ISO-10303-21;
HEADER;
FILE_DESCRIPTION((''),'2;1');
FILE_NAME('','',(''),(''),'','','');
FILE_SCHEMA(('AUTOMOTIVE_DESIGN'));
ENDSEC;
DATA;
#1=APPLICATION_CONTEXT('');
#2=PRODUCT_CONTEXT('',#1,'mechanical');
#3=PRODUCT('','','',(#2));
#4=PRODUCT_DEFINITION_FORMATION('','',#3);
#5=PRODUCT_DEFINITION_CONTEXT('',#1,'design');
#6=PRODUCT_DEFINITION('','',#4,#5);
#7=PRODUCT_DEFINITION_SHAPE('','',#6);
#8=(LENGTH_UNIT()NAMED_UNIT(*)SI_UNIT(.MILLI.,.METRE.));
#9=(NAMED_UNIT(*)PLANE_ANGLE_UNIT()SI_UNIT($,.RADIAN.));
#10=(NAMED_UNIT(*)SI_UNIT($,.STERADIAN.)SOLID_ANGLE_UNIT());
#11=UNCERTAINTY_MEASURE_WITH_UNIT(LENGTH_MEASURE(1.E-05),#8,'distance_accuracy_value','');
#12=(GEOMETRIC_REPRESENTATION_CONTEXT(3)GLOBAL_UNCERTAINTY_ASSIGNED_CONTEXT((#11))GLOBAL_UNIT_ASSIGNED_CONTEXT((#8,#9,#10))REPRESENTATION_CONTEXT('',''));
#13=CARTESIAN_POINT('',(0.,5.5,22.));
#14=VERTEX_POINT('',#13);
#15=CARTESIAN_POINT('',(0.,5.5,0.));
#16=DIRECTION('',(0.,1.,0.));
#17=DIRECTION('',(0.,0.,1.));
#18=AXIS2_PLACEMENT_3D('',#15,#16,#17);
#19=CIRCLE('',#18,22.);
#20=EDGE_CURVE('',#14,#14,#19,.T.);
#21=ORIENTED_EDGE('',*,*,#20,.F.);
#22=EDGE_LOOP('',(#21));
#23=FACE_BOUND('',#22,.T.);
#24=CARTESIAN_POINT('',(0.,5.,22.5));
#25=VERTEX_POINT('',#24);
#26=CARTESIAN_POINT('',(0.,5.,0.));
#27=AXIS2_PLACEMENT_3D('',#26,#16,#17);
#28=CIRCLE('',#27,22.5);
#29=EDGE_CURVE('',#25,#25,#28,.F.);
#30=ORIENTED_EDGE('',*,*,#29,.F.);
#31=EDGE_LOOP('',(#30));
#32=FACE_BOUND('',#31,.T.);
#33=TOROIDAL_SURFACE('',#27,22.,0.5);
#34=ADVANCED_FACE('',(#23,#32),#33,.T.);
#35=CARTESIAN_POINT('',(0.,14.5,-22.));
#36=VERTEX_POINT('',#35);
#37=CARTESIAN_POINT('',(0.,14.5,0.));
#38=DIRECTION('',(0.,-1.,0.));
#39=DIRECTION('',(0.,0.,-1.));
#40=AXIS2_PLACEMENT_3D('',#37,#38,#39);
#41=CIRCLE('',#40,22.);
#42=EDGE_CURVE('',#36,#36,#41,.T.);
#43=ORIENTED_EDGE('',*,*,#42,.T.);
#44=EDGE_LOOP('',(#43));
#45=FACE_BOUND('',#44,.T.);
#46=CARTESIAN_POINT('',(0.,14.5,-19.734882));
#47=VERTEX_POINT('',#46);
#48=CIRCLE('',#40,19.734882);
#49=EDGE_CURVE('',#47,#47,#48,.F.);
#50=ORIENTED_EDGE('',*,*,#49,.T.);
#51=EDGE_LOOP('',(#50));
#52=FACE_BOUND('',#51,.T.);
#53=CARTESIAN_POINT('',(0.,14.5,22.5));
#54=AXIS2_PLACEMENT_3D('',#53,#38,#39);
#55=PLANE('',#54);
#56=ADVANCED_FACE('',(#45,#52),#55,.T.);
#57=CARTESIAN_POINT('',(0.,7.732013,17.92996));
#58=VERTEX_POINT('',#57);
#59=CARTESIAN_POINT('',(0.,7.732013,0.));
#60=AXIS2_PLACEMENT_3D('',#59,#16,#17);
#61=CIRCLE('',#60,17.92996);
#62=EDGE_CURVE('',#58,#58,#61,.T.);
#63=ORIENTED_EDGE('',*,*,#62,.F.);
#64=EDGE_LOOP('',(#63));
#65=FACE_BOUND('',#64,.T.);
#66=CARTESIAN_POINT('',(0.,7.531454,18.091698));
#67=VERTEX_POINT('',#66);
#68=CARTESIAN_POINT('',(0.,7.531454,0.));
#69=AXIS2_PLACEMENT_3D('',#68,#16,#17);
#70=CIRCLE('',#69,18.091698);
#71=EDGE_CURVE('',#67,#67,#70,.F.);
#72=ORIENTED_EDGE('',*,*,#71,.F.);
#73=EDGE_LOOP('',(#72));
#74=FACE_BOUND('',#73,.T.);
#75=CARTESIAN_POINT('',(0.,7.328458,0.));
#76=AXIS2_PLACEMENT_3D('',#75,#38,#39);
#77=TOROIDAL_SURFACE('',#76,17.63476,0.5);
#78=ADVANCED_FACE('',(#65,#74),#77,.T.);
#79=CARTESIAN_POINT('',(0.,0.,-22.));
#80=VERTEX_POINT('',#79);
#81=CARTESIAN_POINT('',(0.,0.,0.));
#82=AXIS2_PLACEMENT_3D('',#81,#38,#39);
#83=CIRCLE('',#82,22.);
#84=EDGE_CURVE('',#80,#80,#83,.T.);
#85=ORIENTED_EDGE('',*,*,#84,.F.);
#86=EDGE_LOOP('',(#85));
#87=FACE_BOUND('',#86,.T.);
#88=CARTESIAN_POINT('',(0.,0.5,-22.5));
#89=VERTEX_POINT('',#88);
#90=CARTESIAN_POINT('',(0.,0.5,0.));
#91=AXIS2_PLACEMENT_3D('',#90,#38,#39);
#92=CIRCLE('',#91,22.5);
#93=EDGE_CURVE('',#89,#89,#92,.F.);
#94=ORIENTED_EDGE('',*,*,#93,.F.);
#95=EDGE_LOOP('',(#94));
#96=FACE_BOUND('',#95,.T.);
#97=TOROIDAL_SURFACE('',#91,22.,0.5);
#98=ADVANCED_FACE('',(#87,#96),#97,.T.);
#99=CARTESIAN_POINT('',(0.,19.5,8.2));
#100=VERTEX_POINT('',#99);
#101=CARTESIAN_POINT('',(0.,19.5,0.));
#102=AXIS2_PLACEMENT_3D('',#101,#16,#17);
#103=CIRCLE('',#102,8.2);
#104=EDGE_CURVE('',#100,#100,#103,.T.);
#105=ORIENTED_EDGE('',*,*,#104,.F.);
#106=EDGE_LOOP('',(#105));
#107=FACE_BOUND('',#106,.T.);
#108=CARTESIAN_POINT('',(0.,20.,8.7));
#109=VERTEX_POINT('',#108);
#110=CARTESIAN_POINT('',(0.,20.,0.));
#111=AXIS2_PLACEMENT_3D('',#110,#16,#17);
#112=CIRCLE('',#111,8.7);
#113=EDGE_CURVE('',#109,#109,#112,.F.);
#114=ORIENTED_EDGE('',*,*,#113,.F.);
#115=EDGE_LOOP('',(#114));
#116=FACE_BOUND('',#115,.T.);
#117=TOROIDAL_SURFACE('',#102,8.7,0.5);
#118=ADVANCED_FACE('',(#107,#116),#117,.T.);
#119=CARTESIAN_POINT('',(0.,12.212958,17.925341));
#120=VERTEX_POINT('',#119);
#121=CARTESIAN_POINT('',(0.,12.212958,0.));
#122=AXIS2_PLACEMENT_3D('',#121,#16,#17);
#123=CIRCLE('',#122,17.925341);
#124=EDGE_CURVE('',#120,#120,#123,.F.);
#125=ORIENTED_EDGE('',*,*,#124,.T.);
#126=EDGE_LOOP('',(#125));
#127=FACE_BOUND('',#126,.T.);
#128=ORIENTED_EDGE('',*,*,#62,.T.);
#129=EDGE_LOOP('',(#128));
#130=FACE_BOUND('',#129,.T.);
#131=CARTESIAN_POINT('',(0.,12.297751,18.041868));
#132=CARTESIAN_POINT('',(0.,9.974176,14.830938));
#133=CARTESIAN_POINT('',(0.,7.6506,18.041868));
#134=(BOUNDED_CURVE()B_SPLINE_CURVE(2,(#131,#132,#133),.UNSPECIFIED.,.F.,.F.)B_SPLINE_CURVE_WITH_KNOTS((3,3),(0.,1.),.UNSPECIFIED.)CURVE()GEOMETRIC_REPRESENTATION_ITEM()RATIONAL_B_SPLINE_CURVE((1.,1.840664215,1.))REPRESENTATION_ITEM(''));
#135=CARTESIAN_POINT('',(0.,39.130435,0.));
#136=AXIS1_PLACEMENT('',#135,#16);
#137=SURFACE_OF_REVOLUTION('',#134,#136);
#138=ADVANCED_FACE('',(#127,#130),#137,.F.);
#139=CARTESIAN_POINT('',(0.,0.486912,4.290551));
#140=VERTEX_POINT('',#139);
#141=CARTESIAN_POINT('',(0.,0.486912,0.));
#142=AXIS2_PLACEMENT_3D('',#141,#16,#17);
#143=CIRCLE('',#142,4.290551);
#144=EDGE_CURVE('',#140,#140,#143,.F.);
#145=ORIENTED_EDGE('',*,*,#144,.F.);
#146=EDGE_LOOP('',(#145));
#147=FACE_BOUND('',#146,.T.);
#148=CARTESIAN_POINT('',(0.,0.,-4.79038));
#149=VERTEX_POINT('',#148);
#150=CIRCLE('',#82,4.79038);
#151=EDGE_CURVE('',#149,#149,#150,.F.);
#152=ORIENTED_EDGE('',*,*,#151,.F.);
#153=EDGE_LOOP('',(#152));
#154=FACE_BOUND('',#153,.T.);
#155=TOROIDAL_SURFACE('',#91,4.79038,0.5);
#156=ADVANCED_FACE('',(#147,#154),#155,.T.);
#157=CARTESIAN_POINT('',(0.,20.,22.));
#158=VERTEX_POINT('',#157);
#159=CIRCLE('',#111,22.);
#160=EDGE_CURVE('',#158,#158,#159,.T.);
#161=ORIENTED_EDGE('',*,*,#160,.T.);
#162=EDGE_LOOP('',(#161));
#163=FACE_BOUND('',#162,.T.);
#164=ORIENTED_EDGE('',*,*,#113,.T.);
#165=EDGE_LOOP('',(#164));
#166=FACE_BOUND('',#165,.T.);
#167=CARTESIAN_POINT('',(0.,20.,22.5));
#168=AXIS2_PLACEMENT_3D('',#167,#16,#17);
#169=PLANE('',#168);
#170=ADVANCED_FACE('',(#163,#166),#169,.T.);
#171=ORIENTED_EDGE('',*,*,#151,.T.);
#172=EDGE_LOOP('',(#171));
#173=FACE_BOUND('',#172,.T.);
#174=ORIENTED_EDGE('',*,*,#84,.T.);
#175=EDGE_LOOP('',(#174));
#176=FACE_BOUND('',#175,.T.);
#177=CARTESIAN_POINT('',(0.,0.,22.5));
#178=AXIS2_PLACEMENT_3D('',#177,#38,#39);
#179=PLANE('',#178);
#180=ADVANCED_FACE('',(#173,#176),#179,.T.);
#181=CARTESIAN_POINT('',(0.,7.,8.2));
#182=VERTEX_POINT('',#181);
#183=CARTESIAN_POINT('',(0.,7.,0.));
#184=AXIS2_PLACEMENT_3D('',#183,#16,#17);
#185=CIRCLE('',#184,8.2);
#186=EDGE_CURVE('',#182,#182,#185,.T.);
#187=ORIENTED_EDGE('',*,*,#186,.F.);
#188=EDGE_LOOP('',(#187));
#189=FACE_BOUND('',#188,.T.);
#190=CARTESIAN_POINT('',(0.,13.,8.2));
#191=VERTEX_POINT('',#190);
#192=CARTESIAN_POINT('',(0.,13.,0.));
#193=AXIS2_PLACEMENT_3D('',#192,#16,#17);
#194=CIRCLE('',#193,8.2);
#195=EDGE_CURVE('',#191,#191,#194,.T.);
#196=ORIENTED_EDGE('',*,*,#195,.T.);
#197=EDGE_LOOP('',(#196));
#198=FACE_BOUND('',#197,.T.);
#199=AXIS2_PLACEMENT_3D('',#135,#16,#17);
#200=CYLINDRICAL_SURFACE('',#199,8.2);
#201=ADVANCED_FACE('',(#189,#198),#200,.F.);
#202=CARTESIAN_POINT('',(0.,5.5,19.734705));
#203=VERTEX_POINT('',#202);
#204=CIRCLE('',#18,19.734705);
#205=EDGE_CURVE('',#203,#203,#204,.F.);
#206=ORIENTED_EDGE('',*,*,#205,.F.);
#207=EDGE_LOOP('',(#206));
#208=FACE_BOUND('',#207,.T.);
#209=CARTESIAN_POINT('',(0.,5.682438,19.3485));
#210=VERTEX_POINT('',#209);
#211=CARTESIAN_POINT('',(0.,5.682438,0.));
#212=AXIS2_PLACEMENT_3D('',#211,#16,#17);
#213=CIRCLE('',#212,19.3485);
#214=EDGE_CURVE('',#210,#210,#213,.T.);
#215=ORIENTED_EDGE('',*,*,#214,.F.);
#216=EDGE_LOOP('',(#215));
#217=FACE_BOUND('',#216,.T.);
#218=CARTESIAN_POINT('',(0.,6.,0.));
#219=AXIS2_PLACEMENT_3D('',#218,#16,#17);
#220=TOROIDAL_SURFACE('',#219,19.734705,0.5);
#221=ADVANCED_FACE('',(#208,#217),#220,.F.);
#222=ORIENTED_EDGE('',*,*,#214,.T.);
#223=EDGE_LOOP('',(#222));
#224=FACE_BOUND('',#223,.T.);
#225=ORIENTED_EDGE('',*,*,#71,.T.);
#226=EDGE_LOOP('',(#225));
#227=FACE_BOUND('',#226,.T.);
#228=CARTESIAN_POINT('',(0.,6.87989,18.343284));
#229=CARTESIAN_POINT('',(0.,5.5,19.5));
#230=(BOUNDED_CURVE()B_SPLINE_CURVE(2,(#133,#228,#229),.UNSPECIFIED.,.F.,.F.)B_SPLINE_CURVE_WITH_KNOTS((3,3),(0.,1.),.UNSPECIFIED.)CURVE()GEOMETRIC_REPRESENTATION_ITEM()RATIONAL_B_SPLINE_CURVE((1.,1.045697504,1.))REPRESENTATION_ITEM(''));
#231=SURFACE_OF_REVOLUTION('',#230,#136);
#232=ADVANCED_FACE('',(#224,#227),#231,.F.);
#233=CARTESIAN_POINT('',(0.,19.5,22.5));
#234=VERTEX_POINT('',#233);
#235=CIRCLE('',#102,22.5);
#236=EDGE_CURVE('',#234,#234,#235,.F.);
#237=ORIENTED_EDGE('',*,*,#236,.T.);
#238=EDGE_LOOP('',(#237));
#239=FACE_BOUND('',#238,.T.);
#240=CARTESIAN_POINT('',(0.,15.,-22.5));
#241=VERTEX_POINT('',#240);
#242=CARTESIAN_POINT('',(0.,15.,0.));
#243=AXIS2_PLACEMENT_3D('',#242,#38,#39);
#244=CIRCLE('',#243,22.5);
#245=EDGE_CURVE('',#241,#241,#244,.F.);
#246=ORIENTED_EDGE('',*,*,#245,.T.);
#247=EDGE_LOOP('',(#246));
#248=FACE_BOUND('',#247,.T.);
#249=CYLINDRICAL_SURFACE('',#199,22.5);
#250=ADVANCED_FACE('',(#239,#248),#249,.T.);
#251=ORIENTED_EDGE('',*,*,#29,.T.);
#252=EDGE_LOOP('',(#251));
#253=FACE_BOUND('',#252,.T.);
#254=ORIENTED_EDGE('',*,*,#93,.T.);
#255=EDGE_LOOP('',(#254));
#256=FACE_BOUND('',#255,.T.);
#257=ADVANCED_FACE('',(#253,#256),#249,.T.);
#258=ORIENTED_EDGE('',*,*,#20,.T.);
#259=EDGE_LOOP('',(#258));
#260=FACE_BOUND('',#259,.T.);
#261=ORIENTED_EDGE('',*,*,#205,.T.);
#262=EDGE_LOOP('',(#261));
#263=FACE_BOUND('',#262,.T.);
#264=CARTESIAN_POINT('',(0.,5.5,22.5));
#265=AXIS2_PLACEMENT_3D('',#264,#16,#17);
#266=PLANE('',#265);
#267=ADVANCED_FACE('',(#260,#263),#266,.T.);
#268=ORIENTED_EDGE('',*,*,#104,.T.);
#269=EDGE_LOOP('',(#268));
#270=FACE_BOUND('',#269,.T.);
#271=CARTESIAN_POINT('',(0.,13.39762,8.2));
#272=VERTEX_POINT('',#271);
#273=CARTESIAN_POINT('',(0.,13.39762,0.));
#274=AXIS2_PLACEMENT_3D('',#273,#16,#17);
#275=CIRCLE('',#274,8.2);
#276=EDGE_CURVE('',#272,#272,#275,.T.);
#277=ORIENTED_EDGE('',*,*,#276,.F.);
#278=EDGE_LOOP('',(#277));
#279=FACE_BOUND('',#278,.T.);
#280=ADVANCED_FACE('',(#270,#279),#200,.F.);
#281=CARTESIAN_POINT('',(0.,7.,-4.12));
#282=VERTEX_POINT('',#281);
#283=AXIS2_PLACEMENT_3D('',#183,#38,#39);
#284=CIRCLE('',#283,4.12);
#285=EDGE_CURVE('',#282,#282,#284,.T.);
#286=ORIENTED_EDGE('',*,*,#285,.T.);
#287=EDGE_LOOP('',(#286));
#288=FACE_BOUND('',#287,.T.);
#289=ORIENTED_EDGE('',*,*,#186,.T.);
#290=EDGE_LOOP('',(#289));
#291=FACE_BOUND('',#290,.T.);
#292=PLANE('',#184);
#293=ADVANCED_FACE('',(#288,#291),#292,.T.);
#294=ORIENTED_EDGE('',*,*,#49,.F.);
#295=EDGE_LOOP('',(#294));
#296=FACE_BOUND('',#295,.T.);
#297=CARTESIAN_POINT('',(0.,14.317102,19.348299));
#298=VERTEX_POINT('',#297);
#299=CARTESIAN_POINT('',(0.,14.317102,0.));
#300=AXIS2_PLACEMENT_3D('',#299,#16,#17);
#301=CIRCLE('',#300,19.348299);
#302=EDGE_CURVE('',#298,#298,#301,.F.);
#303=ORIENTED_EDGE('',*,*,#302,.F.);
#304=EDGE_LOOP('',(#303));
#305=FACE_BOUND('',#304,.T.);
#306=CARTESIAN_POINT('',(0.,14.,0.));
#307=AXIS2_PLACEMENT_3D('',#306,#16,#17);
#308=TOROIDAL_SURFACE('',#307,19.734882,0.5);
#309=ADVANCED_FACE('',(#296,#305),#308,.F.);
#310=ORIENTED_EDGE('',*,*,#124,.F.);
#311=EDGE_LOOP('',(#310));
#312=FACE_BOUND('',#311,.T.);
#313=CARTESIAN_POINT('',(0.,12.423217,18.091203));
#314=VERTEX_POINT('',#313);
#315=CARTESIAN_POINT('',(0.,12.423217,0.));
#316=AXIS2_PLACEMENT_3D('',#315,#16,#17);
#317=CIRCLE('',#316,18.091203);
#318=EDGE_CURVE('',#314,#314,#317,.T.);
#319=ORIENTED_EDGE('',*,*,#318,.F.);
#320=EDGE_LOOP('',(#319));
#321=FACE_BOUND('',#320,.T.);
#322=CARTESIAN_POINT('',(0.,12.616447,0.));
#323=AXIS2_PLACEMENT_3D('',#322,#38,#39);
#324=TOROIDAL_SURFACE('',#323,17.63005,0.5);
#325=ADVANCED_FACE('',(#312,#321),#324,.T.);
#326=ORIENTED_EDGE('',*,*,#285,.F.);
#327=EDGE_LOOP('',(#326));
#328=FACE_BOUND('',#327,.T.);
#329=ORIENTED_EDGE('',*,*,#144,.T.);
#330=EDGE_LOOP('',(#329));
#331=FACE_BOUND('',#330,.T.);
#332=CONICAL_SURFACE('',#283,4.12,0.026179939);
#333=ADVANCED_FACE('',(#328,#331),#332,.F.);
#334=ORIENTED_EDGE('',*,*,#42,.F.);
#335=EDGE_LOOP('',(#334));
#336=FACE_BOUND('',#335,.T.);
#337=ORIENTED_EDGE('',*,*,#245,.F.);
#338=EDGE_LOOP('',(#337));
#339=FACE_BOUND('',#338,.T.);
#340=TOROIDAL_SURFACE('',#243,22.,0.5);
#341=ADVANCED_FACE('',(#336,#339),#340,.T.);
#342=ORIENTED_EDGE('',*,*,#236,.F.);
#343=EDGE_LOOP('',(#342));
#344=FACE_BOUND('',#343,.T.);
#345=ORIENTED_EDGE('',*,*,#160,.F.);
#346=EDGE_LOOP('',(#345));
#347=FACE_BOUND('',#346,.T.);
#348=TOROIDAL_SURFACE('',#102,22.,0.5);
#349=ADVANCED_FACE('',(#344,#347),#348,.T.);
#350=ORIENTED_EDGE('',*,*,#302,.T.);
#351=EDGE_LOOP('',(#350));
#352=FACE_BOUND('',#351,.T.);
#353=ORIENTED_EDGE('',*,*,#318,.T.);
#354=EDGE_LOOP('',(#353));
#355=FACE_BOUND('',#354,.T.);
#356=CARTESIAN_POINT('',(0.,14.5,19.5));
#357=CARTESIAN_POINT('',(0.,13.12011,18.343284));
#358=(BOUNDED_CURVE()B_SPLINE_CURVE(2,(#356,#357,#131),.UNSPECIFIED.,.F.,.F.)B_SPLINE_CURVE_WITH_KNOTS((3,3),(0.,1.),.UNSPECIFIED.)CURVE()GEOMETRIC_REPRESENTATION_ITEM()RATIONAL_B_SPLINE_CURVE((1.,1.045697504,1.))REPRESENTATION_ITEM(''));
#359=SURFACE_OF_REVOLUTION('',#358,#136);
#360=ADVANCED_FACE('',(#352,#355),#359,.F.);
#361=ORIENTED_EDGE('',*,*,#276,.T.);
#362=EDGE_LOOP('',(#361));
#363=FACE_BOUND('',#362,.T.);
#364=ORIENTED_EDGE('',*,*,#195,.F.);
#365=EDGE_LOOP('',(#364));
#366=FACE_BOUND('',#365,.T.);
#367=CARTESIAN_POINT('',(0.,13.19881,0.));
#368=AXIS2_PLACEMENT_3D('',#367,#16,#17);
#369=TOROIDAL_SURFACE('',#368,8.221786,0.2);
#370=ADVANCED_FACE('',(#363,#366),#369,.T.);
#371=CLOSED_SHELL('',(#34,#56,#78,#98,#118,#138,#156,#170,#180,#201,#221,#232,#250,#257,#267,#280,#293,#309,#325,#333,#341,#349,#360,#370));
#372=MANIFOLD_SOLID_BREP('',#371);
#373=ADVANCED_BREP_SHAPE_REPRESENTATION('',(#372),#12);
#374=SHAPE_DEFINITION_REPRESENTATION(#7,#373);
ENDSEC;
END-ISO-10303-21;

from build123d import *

# Parameters (mm, degrees)
SKETCH2_R          = 4.12
CUT_EXTRUDE1_DEPTH = 35.372954485
CUT_EXTRUDE1_DRAFT = -1.5
FILLET1_R          = 0.5


with BuildPart() as part:
    # Sketch1 → Revolve1 (revolve)
    with BuildSketch(Plane(origin=(0, 0, 0), x_dir=(0, 0, -1), z_dir=(1, 0, 0))):
        with BuildLine():
            Line((-22.5, 0), (0, 0))
            Line((0, 0), (0, 7))
            Line((0, 7), (-8.2, 7))
            Line((-8.2, 7), (-8.2, 13))
            ThreePointArc((-8.2, 13), (-8.021786255, 13.198809857), (-8.2, 13.397619713))
            Line((-8.2, 13.397619713), (-8.2, 15.5))
            Line((-8.2, 15.5), (-8.2, 20))
            Line((-8.2, 20), (-22.5, 20))
            Line((-22.5, 20), (-22.5, 14.5))
            Line((-22.5, 14.5), (-19.5, 14.5))
            add(Edge.make_bspline(
                [(-18.041867892, 12.297751197), (-18.343284326, 13.120109751), (-19.5, 14.5)],
                knots=[0, 0, 0, 1, 1, 1], degree=2, weights=[1, 1.045697504, 1]))
            add(Edge.make_bspline(
                [(-18.041867892, 12.297751197), (-14.830937527, 9.974175575), (-18.041867892, 7.650599954)],
                knots=[0, 0, 0, 1, 1, 1], degree=2, weights=[1, 1.840664215, 1]))
            add(Edge.make_bspline(
                [(-19.5, 5.5), (-18.343284326, 6.879890249), (-18.041867892, 7.650599954)],
                knots=[0, 0, 0, 1, 1, 1], degree=2, weights=[1, 1.045697504, 1]))
            Line((-19.5, 5.5), (-22.5, 5.5))
            Line((-22.5, 5.5), (-22.5, 0))
        make_face()
    revolve(axis=Axis((0, 39.130434783, 0), (0, -1, 0)))


with BuildPart() as cut_extrude1_tool:
    # Sketch2 → Cut-Extrude1 (with draft: the straight prism first)
    with BuildSketch(Plane.XZ.offset(-7)):
        Circle(SKETCH2_R)
    extrude(amount=CUT_EXTRUDE1_DEPTH)
    # Cut-Extrude1: the draft: its side faces are tilted about the plane it starts from
    cut_extrude1_sides = [cut_extrude1_tool.faces().sort_by_distance(p)[0] for p in [
        (-4.12, -10.686477242, 0),
    ]]
    draft(cut_extrude1_sides, Plane.XZ.offset(-7), CUT_EXTRUDE1_DRAFT)


with BuildPart() as part_1:
    add(part.part)

    # Cut-Extrude1: cut by cut_extrude1_tool
    add(cut_extrude1_tool.part, mode=Mode.SUBTRACT)

    # Fillet1
    fillet1_edges = [part_1.edges().sort_by_distance(p)[0] for p in [
        (0, 0, -22.5),
        (0, 5.5, -22.5),
        (0, 5.5, -19.5),
        (0, 7.650599954, -18.041867892),
        (0, 12.297751197, -18.041867892),
        (0, 14.5, -19.5),
        (0, 14.5, -22.5),
        (0, 20, -22.5),
        (0, 20, -8.2),
        (-4.303301451, 0, 0),
    ]]
    fillet(fillet1_edges, radius=FILLET1_R)


solid = part_1.part
